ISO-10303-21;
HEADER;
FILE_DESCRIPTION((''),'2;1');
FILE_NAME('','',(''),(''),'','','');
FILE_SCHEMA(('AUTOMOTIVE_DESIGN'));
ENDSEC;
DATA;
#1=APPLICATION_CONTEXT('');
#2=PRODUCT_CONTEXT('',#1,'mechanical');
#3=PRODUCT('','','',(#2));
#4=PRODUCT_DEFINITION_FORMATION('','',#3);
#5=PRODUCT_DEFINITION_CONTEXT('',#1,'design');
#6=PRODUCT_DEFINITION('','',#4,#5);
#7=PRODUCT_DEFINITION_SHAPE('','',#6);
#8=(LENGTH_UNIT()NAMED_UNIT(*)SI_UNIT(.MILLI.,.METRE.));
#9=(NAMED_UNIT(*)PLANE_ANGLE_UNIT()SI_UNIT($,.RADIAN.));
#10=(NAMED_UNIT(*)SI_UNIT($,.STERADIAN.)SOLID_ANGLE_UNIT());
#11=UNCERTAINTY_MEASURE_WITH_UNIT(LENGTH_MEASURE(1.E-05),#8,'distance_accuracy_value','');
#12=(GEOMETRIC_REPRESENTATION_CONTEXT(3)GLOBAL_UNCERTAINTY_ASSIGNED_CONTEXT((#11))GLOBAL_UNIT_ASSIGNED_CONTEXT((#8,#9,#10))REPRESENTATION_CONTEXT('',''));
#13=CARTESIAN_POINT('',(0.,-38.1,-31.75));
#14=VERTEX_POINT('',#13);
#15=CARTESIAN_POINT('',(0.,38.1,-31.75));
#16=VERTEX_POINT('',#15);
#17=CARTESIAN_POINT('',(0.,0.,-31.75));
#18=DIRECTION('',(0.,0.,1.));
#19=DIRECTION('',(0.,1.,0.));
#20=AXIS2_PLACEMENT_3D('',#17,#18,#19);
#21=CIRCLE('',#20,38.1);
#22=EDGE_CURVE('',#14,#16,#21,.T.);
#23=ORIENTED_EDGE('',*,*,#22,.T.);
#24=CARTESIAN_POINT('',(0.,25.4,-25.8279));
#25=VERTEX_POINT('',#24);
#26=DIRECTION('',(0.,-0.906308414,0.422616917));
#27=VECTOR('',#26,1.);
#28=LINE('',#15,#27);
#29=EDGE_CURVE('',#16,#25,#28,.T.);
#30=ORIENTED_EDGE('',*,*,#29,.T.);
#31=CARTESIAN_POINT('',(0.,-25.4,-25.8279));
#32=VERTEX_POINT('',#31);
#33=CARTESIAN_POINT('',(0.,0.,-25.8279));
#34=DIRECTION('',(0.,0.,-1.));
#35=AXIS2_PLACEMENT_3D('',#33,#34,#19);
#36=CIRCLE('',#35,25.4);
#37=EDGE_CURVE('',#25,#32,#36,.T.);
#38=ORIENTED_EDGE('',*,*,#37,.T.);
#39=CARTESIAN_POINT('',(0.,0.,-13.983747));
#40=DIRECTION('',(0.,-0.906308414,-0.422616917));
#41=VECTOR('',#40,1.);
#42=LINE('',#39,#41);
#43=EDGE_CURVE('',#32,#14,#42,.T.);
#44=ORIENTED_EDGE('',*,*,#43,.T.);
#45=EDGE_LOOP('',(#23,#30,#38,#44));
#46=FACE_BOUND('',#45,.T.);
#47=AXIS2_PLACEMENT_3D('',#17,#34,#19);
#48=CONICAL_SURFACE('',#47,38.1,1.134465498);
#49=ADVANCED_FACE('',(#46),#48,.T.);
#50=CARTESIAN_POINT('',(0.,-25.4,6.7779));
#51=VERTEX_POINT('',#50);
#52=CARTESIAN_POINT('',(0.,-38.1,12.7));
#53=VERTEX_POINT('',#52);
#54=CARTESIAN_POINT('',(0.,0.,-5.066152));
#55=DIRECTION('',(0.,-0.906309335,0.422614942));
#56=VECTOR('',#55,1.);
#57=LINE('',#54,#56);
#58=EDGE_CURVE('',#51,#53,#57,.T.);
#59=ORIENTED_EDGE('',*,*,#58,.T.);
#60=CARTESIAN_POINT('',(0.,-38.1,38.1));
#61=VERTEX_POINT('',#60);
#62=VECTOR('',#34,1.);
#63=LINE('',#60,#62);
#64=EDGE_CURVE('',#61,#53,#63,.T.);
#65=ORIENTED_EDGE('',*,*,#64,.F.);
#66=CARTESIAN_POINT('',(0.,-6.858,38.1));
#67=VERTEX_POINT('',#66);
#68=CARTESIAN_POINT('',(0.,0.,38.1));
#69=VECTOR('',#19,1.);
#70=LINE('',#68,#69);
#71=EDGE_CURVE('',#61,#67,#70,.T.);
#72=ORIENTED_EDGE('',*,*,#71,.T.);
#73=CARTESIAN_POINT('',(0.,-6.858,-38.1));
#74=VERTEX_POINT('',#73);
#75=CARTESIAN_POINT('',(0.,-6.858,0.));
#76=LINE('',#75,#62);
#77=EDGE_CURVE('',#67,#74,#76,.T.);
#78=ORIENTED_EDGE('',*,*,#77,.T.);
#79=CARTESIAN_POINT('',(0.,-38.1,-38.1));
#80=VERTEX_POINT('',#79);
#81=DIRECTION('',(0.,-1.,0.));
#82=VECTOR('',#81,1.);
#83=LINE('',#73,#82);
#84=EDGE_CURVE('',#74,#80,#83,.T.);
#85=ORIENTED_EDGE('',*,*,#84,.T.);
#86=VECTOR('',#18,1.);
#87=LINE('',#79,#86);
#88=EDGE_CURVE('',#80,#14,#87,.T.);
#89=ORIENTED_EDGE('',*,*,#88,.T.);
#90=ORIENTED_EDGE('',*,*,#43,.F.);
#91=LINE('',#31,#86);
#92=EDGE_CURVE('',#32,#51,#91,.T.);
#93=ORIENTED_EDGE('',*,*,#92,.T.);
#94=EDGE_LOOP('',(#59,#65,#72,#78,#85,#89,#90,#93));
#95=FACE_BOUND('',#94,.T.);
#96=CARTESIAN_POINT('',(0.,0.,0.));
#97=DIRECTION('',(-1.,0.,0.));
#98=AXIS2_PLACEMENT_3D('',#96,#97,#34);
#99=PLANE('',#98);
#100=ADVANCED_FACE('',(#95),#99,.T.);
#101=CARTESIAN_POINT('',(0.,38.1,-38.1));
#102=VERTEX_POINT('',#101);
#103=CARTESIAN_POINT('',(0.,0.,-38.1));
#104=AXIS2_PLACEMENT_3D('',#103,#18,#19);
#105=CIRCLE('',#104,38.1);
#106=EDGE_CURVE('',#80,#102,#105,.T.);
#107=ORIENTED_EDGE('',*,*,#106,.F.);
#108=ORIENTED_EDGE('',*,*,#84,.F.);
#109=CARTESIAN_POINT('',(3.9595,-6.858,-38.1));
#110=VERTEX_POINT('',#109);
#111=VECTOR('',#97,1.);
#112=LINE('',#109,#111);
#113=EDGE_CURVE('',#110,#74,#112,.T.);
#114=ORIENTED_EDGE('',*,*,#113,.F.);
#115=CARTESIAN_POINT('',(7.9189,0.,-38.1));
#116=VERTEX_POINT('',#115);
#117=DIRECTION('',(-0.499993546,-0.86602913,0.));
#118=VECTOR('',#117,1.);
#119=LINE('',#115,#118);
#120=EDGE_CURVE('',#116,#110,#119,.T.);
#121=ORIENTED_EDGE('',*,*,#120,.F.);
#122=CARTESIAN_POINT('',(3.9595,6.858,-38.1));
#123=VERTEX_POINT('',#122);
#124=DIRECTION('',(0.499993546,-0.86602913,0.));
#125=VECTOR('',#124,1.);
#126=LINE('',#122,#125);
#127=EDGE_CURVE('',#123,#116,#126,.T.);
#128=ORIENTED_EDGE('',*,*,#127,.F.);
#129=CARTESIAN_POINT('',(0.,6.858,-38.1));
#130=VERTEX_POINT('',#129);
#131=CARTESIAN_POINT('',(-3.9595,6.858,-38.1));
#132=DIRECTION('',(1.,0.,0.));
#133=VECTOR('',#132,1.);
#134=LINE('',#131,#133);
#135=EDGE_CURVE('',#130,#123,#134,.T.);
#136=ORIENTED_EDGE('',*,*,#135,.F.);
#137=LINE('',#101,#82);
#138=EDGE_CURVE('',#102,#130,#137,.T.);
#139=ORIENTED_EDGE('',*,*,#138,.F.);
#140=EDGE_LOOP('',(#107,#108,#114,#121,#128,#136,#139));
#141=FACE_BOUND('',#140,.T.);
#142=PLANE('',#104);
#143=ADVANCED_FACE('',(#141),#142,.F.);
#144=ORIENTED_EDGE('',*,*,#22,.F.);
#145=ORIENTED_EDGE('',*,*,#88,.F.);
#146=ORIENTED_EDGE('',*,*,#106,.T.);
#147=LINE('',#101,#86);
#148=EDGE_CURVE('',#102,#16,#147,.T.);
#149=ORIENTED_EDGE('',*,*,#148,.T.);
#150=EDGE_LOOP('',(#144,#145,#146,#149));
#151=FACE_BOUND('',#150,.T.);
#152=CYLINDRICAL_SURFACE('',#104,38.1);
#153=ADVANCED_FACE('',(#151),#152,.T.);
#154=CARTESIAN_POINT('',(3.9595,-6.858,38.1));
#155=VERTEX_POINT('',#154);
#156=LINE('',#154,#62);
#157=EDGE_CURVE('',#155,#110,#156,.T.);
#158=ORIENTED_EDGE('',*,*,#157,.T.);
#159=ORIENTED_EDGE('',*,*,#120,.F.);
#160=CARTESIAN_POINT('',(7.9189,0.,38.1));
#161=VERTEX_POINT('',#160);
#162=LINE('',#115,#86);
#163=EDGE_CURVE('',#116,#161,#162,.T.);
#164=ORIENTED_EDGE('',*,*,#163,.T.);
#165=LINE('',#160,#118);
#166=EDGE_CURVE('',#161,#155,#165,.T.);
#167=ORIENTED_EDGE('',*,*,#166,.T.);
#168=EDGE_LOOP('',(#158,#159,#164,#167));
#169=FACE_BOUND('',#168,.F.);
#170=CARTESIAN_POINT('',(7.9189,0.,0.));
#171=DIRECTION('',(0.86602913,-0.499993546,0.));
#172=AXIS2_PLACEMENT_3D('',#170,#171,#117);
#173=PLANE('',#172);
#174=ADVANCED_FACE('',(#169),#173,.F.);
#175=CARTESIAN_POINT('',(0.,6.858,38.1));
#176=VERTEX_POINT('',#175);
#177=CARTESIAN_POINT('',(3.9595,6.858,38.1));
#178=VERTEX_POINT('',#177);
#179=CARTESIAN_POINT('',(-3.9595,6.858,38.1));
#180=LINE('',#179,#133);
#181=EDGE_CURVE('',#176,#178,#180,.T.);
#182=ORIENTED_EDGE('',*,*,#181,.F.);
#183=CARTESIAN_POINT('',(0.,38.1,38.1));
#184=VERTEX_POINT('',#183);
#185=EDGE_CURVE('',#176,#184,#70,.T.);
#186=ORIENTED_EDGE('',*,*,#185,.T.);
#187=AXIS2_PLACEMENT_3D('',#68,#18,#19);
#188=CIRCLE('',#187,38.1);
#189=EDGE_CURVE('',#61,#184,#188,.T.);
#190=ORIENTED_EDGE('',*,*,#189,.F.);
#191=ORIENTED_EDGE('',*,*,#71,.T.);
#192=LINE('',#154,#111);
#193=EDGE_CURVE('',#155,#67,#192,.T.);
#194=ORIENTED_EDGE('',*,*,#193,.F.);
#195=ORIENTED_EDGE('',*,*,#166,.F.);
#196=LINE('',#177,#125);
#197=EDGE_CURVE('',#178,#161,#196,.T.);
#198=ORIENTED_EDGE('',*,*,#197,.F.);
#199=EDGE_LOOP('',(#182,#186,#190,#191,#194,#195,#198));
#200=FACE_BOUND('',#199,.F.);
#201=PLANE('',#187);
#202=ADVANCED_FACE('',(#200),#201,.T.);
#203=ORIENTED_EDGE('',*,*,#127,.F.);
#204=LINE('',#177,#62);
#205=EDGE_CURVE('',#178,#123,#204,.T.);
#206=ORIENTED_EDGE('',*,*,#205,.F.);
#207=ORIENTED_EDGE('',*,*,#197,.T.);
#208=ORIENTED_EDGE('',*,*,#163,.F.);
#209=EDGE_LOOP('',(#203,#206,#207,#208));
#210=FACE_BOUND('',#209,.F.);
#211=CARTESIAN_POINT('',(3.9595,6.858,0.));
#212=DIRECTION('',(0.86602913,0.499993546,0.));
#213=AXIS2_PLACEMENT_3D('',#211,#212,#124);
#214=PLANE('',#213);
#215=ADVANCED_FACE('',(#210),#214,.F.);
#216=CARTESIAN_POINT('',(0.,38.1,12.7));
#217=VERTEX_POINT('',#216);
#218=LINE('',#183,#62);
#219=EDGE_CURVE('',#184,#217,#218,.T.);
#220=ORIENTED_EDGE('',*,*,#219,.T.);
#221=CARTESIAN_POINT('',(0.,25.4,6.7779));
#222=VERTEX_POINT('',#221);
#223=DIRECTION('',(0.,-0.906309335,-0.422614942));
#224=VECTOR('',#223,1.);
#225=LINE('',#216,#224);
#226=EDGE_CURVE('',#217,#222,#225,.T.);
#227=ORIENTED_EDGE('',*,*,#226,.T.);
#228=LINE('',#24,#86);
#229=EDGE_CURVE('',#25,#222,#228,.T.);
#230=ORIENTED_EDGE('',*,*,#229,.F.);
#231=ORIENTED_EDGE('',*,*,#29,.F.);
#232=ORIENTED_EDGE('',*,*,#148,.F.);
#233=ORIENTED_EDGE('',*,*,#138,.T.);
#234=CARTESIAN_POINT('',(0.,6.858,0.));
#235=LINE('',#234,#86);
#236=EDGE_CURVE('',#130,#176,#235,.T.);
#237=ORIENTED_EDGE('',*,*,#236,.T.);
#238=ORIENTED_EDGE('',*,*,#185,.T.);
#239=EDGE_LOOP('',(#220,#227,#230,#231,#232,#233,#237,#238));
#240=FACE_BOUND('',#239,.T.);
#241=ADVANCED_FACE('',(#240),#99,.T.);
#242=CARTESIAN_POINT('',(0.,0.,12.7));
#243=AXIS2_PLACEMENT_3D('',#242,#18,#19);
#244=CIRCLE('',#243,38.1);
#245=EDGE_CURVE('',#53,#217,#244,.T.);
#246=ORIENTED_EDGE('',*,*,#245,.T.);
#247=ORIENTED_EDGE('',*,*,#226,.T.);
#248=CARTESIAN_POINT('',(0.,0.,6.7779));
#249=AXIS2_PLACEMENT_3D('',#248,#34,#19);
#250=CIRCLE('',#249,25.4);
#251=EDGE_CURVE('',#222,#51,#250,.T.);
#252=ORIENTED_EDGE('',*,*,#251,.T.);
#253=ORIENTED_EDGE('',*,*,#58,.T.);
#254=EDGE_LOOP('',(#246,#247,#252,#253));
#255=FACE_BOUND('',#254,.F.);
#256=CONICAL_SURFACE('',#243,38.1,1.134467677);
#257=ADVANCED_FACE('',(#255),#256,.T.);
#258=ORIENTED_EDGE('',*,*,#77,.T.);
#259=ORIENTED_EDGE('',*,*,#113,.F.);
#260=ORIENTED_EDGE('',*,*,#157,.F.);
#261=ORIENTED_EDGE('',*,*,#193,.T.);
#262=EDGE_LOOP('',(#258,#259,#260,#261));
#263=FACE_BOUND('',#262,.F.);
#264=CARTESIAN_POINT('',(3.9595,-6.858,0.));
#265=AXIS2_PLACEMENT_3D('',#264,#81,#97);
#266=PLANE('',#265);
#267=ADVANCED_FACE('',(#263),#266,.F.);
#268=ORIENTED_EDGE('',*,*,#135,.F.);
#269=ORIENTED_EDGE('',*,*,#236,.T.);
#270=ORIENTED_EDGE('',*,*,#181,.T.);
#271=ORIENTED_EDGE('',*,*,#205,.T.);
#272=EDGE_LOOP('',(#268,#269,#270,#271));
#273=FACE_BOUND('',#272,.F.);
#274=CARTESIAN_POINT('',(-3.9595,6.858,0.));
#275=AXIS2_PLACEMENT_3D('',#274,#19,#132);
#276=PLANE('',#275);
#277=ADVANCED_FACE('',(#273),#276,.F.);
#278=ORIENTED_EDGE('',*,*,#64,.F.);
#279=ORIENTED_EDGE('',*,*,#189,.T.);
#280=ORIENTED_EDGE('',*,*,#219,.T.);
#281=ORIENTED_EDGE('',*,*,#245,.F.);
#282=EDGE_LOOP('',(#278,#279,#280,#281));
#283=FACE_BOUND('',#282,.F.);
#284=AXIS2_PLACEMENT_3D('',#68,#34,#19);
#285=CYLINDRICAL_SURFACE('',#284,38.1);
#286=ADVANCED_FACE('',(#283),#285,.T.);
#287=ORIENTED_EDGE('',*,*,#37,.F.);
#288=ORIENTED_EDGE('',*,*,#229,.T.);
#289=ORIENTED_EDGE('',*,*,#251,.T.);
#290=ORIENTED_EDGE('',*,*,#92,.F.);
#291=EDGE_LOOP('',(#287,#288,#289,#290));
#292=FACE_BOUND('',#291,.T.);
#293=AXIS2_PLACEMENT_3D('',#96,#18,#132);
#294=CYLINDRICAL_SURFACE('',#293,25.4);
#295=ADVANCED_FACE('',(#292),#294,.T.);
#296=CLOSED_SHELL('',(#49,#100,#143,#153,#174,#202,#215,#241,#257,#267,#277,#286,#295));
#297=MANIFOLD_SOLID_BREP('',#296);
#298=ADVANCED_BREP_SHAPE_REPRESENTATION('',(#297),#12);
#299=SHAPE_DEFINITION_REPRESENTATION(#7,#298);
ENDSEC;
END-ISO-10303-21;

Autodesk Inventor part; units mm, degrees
ref_plane "YZ Plane" through (0, 0, 0) normal (1, 0, 0) x (0, 1, 0)
ref_plane "XZ Plane" through (0, 0, 0) normal (0, 1, 0) x (-1, 0, 0)
ref_plane "XY Plane" through (0, 0, 0) normal (0, 0, 1) x (1, 0, 0)
sketch "Sketch1" plane through (0, 0, 0) normal (0, 0, 1) x (1, 0, 0)
  circle A0 centre (0, 0) radius 25.4
  line L0 (7.9189, 0) -> (3.9595, -6.858)
  line L1 (3.9595, -6.858) -> (-3.9595, -6.858)
  line L2 (-3.9595, -6.858) -> (-7.9189, 0)
  line L3 (-7.9189, 0) -> (-3.9595, 6.858)
  line L4 (-3.9595, 6.858) -> (3.9595, 6.858)
  line L5 (3.9595, 6.858) -> (7.9189, 0)
  dimension "d0" = 50.8
  dimension "d1" = 13.716
extrude "Extrusion1" add sketch "Sketch1" along normal mid plane 76.2
sketch "Sketch3" plane through (0, 0, 0) normal (1, 0, 0) x (0, 1, 0)
  line L0 (25.4, 38.1) -> (-25.4, 38.1) projected
  line L1 (25.4, 38.1) -> (38.1, 38.1)
  line L2 (25.4, -38.1) -> (25.4, 38.1) projected
  line L3 (0, -53.34) -> (0, 53.34) projected
  line L4 (38.1, 38.1) -> (38.1, 12.7)
  line L5 (38.1, 12.7) -> (24.2886, 6.2597)
  line L6 (24.2886, 6.2597) -> (25.4, 6.7779)
  line L7 (25.4, -38.1) -> (25.4, 38.1) projected
  point P0 (0, 0)
  point P1 (25.4, 19.4779)
  point P2 (25.4, 6.7779)
  dimension "d9" = 12.7
  dimension "d12" = 25.4
  dimension "d13" = 115
revolve "Revolution1" add sketch "Sketch3" angle 360 about axis through (0, 0, -10) along (0, 0, 1)
sketch "Sketch4" plane through (0, 0, 0) normal (1, 0, 0) x (0, 1, 0)
  line L0 (25.4, -38.1) -> (25.4, 6.7779) projected
  line L1 (-25.4, -38.1) -> (25.4, -38.1) projected
  line L2 (25.4, -38.1) -> (38.1, -38.1)
  line L3 (38.1, -38.1) -> (38.1, -31.75)
  line L4 (38.1, -31.75) -> (24.8707, -25.5811)
  line L5 (0, -46.9275) -> (0, 14.8652) projected
  line L6 (24.8707, -25.5811) -> (25.4, -25.8279)
  line L7 (25.4, -38.1) -> (25.4, 6.7779) projected
  point P0 (0, 0)
  point P1 (25.4, -25.8279)
  dimension "d14" = 12.7
  dimension "d15" = 6.35
  dimension "d16" = 115
revolve "Revolution2" add sketch "Sketch4" angle 360 about axis through (0, 0, -10) along (0, 0, 1)
split "Split1" plane through (0, 0, 0) removes the side toward (-1, 0, 0)
properties part number "pulleyOneHalf"
